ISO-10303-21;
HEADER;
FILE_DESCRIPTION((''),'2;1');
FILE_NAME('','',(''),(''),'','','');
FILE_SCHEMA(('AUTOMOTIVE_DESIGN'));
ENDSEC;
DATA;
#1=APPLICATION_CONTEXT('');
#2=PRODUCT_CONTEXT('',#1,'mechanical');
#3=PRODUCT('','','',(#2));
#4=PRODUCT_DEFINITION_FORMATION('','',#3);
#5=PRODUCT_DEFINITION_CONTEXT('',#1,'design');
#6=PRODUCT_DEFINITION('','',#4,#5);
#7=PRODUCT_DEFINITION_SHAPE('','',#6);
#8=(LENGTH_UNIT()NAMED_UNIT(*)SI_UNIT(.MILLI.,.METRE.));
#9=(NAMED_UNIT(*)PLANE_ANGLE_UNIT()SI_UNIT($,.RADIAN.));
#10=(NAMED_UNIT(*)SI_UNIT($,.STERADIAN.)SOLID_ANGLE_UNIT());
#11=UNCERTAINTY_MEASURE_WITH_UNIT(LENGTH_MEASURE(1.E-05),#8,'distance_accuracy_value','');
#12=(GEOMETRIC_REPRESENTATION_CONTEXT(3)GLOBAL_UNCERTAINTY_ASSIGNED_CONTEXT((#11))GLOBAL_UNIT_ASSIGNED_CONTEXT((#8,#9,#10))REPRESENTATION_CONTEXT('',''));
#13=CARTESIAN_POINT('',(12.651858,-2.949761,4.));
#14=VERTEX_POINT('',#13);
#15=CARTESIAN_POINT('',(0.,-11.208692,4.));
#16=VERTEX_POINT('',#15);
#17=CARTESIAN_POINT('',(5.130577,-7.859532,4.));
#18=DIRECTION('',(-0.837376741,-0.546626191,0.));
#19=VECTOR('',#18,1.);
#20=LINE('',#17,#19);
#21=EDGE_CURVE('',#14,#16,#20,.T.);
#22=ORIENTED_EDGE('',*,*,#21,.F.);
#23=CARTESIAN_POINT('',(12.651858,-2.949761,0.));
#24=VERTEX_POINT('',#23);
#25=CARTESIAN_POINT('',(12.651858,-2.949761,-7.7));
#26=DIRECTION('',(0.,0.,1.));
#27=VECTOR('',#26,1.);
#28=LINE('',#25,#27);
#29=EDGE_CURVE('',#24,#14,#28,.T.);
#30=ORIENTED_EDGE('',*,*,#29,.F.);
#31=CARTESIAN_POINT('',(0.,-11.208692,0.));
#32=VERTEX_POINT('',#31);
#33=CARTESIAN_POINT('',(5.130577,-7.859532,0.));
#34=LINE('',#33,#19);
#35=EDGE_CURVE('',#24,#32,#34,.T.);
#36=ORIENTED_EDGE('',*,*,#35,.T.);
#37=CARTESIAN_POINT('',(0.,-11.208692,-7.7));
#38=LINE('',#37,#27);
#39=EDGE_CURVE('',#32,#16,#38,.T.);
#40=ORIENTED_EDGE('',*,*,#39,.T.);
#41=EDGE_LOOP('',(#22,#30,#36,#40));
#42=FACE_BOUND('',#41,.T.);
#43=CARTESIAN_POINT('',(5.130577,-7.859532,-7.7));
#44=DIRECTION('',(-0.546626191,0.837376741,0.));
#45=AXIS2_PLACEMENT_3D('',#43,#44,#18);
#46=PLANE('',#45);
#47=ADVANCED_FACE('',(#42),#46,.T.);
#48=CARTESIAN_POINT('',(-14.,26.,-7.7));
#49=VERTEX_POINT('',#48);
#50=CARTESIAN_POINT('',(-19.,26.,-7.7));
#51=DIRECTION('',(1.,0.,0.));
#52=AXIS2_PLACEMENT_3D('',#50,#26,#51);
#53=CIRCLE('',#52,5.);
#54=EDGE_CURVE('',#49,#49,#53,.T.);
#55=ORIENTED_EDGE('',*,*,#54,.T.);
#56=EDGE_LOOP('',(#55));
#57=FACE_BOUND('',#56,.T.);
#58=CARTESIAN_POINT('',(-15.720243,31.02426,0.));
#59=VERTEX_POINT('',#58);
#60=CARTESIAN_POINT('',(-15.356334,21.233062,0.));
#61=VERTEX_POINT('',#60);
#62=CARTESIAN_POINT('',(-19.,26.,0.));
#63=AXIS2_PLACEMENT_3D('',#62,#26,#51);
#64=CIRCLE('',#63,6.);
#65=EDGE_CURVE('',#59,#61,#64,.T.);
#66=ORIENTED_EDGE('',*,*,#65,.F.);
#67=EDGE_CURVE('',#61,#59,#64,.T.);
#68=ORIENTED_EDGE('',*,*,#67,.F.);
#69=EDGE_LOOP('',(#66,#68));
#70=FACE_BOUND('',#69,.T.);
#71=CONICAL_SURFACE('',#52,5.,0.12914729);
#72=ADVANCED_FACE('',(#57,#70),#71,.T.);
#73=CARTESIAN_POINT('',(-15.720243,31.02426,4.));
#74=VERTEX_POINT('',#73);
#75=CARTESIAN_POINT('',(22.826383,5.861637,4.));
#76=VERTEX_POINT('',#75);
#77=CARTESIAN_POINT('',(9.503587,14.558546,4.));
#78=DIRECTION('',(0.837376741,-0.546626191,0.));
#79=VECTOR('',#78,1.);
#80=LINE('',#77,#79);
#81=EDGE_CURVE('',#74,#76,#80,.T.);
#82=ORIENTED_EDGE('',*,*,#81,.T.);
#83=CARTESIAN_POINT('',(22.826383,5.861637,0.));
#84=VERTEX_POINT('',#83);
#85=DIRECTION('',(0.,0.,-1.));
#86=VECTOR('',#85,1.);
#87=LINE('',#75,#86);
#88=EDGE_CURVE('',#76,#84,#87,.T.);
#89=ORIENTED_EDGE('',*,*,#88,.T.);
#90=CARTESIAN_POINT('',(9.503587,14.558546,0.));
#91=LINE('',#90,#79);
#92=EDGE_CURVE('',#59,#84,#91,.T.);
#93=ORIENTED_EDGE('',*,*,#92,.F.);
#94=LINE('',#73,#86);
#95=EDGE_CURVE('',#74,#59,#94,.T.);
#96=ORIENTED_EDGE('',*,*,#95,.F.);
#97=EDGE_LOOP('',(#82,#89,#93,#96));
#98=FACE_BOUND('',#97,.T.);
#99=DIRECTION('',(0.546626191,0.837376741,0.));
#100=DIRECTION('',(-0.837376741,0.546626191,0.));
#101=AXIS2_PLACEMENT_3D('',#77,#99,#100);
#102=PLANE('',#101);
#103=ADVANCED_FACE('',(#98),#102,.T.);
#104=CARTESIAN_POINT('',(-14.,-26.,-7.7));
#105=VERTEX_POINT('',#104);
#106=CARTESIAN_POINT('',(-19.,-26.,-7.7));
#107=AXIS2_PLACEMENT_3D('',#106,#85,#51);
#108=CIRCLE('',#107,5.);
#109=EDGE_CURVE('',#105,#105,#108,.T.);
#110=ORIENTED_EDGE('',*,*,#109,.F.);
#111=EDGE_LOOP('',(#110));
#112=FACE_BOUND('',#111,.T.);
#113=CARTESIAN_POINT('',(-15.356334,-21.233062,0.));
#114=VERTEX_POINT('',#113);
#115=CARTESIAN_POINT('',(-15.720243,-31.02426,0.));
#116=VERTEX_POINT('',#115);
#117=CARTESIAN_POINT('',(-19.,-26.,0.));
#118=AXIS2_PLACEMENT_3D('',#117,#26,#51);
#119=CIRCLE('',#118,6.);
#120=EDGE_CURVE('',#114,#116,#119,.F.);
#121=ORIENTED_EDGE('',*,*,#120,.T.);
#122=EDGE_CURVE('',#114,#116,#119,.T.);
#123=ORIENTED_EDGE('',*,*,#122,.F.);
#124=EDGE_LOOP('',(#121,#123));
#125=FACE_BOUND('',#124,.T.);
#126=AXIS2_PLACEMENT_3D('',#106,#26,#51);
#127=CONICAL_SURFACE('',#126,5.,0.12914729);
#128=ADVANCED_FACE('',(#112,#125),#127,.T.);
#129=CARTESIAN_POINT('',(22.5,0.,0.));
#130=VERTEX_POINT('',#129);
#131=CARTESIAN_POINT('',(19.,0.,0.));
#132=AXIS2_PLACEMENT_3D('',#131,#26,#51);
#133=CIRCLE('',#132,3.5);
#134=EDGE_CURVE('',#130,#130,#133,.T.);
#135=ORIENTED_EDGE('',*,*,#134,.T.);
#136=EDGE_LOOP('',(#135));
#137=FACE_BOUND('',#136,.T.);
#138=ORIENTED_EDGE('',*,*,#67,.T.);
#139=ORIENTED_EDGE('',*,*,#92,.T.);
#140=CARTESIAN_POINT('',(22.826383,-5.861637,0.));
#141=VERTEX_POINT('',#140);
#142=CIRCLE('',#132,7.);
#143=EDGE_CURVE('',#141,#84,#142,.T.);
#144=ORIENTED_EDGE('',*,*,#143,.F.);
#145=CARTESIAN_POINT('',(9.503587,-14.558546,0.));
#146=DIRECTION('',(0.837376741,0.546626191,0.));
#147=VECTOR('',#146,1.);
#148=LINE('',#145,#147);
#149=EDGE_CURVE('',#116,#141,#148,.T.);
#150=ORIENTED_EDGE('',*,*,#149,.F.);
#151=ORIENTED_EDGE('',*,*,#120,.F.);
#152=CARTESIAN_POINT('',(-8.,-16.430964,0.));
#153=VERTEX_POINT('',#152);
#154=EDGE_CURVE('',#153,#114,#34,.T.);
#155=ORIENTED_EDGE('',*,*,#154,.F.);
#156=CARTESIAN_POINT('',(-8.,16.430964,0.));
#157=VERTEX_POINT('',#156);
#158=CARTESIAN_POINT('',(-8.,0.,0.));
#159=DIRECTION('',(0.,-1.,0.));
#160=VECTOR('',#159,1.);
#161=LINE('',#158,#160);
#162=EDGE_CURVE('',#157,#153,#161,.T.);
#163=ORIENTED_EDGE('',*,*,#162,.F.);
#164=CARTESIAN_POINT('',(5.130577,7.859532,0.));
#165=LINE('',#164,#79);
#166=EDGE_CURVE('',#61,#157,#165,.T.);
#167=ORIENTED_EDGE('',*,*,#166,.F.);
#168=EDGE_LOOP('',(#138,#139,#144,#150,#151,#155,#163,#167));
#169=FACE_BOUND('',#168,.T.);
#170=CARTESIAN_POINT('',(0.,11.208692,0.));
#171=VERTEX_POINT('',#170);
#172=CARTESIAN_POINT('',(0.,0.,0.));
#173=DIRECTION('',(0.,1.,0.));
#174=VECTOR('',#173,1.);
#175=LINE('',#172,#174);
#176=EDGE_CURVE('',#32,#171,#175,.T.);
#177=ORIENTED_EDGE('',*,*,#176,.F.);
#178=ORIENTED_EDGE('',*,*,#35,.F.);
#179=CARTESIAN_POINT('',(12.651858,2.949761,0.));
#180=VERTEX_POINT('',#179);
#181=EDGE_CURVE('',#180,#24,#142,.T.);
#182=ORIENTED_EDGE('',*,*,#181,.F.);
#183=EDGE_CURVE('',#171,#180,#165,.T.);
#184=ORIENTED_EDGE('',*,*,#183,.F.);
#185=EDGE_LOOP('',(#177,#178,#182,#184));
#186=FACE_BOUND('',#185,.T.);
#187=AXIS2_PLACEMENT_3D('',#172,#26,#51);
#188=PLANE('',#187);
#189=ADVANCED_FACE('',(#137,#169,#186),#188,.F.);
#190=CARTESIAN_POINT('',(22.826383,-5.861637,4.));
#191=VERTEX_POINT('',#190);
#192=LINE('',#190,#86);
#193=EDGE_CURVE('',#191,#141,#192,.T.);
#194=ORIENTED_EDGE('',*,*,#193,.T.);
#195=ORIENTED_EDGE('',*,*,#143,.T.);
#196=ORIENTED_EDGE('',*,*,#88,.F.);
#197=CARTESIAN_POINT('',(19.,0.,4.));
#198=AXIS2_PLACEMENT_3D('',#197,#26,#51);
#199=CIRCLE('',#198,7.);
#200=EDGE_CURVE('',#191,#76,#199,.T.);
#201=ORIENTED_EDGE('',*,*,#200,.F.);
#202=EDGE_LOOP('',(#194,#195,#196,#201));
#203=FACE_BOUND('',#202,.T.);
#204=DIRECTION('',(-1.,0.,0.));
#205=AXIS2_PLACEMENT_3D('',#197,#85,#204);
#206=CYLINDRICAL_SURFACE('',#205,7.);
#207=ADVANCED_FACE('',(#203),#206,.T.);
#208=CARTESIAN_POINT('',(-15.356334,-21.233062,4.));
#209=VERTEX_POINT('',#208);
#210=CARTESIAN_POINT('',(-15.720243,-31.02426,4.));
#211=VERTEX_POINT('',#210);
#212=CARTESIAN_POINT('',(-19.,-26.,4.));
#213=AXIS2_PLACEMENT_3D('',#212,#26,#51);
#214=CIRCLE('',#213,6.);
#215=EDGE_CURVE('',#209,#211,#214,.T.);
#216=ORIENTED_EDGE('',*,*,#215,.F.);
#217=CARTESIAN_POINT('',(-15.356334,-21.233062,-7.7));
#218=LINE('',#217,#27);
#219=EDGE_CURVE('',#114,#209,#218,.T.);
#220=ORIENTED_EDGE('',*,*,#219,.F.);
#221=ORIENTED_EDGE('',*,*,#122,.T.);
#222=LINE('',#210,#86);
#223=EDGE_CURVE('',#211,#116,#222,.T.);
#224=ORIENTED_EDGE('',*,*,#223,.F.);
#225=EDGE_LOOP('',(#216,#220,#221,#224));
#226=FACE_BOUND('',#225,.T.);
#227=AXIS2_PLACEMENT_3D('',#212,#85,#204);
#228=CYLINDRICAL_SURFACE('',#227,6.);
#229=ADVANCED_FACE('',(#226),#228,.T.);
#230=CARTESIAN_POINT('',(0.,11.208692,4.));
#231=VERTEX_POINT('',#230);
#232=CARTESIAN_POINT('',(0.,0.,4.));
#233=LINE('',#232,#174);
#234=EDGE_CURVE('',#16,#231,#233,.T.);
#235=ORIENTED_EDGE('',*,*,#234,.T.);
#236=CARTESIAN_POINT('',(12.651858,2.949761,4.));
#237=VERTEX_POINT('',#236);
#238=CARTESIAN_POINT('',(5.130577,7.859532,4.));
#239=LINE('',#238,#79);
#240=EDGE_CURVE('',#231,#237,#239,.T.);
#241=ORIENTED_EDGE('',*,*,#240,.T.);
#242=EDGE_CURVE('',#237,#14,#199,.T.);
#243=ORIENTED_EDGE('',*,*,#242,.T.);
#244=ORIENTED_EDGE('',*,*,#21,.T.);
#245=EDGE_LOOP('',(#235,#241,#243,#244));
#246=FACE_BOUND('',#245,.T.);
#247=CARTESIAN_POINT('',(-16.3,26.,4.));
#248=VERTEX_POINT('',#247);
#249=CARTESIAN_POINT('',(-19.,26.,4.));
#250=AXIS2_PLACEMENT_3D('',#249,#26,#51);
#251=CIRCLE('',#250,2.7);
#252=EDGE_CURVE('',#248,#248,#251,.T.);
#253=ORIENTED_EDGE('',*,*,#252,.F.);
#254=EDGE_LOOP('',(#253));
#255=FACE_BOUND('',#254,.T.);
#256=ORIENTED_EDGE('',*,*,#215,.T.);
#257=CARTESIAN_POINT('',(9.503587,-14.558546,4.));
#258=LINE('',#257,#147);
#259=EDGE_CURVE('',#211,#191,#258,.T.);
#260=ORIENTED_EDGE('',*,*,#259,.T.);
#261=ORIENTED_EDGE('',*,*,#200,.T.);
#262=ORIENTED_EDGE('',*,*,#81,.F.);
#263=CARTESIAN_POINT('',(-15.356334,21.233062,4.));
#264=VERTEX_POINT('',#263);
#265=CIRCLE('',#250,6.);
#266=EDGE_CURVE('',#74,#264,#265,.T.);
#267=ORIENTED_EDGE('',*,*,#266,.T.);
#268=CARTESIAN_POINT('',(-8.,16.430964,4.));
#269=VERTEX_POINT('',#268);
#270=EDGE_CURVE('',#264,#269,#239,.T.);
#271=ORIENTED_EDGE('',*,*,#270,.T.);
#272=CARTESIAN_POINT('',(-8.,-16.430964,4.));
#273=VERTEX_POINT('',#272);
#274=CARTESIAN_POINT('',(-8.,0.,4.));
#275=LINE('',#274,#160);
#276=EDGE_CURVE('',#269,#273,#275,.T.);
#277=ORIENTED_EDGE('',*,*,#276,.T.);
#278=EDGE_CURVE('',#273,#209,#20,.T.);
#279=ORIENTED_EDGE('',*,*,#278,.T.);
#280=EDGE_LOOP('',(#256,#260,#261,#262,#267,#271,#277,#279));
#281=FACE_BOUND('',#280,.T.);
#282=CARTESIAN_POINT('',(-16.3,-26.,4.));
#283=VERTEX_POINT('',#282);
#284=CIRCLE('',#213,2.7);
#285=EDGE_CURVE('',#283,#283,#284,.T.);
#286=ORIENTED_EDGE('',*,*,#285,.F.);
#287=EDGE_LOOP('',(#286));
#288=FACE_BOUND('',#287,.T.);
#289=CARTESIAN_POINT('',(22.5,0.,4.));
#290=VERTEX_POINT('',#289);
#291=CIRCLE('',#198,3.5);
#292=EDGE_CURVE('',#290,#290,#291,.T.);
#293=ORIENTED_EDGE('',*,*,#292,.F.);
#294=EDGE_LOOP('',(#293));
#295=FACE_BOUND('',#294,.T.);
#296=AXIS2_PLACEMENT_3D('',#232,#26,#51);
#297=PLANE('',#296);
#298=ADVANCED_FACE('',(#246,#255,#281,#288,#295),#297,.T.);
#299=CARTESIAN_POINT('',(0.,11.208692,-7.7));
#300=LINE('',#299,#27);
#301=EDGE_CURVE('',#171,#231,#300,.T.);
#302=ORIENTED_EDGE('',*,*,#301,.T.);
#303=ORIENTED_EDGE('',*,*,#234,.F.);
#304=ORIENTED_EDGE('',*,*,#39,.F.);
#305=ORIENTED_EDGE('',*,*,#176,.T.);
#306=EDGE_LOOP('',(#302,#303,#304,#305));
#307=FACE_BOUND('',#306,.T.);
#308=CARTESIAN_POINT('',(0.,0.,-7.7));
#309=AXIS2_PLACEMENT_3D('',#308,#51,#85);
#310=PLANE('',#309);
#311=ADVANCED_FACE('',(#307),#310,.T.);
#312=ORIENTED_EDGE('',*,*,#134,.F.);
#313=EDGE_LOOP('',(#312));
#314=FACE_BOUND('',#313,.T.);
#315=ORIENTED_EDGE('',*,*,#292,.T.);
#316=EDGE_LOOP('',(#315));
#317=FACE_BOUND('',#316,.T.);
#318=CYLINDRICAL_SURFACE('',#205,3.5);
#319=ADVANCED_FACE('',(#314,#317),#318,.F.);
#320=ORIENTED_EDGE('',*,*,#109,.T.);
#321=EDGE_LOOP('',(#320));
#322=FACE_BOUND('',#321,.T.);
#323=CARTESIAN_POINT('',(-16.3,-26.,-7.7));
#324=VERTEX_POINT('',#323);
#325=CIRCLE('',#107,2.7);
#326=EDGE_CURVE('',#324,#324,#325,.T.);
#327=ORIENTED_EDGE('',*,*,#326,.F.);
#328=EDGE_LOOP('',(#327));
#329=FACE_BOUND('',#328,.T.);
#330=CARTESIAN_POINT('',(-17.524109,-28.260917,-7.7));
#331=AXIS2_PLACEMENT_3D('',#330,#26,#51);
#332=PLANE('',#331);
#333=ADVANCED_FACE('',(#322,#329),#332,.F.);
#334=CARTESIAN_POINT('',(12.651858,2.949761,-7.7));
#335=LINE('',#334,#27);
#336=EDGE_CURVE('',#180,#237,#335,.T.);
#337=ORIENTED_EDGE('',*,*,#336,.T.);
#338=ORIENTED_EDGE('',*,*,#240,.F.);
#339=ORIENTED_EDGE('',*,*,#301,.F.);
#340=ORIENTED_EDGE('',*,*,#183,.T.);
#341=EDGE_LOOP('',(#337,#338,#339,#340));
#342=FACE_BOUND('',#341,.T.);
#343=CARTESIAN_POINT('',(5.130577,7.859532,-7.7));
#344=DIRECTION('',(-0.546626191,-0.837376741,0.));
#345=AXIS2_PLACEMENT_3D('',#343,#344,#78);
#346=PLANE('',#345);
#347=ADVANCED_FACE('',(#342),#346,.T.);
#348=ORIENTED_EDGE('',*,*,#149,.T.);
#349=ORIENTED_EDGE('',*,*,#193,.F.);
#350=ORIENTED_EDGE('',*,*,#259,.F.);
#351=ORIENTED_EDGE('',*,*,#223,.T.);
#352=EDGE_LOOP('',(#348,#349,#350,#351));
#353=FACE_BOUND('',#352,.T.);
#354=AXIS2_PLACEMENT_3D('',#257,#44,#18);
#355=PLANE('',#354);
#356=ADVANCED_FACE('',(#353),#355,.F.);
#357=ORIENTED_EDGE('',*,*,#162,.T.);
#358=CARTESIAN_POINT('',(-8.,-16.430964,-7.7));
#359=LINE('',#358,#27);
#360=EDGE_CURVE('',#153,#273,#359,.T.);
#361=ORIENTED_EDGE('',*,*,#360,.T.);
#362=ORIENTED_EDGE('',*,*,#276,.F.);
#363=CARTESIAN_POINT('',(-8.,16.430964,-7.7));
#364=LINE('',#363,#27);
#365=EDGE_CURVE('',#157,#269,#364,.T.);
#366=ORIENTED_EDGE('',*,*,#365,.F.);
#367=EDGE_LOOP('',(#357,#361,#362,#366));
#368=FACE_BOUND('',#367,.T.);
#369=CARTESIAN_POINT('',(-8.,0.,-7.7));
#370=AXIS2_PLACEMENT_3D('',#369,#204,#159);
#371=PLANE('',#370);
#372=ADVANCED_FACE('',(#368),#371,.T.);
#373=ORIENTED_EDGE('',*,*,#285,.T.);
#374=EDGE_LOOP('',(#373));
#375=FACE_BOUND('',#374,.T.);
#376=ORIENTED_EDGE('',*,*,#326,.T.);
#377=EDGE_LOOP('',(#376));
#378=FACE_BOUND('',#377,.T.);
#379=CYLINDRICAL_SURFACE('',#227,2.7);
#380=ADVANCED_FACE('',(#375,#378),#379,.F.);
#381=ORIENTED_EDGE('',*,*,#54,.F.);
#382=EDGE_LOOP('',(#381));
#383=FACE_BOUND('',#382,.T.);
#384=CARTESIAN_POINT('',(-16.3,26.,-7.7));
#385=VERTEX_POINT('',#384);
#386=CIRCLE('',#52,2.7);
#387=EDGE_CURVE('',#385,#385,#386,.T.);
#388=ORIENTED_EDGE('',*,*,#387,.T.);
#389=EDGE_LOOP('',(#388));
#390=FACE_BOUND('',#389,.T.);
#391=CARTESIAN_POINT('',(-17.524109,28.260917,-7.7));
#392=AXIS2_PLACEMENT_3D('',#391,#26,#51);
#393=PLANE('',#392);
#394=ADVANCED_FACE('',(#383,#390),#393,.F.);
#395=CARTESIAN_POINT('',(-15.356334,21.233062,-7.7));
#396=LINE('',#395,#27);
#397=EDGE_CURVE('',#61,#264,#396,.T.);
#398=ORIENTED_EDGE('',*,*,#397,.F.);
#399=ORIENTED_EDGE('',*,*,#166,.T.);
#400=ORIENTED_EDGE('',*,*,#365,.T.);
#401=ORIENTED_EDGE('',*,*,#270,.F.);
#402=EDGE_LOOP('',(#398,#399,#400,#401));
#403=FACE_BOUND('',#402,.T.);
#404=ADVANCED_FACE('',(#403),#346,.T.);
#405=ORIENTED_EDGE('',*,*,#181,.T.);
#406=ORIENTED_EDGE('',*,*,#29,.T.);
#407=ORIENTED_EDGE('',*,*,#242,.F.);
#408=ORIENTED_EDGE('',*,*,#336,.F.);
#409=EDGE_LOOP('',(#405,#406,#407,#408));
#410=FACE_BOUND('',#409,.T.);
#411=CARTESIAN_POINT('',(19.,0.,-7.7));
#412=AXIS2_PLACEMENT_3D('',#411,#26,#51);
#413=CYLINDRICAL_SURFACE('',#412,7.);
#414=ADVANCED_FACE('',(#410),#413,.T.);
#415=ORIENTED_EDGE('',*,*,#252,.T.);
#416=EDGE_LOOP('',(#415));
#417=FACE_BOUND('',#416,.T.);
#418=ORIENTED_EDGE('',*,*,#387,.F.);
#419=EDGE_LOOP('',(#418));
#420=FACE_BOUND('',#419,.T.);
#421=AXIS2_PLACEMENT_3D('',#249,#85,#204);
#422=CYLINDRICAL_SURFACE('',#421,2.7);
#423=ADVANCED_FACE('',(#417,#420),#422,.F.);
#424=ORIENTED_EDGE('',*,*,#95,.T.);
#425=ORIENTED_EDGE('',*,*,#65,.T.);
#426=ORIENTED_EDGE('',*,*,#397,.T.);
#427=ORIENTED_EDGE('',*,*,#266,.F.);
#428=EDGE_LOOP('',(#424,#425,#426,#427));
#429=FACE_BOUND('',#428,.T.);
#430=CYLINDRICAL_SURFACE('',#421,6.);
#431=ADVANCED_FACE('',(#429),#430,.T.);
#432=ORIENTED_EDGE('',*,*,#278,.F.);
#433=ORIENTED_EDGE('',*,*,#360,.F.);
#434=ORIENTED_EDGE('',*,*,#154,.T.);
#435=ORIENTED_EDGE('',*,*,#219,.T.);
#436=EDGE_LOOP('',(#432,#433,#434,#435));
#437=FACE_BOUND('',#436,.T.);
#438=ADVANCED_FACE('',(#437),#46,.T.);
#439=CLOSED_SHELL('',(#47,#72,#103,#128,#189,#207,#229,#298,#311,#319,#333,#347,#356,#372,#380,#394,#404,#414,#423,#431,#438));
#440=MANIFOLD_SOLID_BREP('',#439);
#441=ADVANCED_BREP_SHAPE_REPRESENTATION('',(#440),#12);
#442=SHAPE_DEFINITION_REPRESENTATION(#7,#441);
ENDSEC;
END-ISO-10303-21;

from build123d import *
from build123d.topology import SkipClean

# Parameters (mm, degrees)
SKETCH_1_R          = 2.2
SKETCH_1_R_2        = 3.5
SKETCH_1_R_3        = 2.7
EXTRUDE_1_DEPTH     = 4
SKETCH_5_R          = 2.2
CUT_EXTRUDE_1_DEPTH = 57.443688753


with BuildPart() as part:
    # 草图1 → 凸台-拉伸1 (new body)
    with BuildSketch(Plane.XY):
        with BuildLine():
            Line((-45, -12.5), (-22.796873936, -30.645831284))
            ThreePointArc((-22.796873936, -30.645831284), (-19.320397567, -31.991439343), (-15.720242852, -31.024260448))
            Line((-15.720242852, -31.024260448), (22.82638334, -5.861637189))
            ThreePointArc((22.82638334, -5.861637189), (26, 0), (22.82638334, 5.861637189))
            Line((22.82638334, 5.861637189), (-15.720242852, 31.024260448))
            ThreePointArc((-15.720242852, 31.024260448), (-19.320397567, 31.991439343), (-22.796873936, 30.645831284))
            Line((-22.796873936, 30.645831284), (-45, 12.5))
            Line((-45, 12.5), (-45, -12.5))
        make_face()
        with Locations((-35, 0)):
            Circle(SKETCH_1_R, mode=Mode.SUBTRACT)
        with Locations((-19, 0)):
            Circle(SKETCH_1_R, mode=Mode.SUBTRACT)
        with Locations((19, 0)):
            Circle(SKETCH_1_R_2, mode=Mode.SUBTRACT)
        with Locations((-19, -26)):
            Circle(SKETCH_1_R_3, mode=Mode.SUBTRACT)
        with Locations((-19, 26)):
            Circle(SKETCH_1_R_3, mode=Mode.SUBTRACT)
    extrude(amount=EXTRUDE_1_DEPTH)

    # 草图4 → 旋转1 (revolve)
    with SkipClean():  # the faces are left unmerged after this step: merging them gives an invalid solid
        with BuildSketch(Plane(origin=(-25.223829861, 16.46571414, 0), x_dir=(0, 0, -1), z_dir=(0.8373767412950733, -0.5466261914124163, 0))):
            Polygon((7.7, 16.385897637), (0, 17.385897637), (0, 14.085897637), (7.7, 14.085897637), align=None)
        revolve_1 = revolve(axis=Axis((-19, 26, 1000.278995542), (0, 0, -1)))

    # 镜向1: 旋转1 across plane
    with SkipClean():  # the faces are left unmerged after this step: merging them gives an invalid solid
        add(revolve_1.mirror(Plane.ZX))

    # 草图5 → 切除-拉伸1 (cut, through all)
    # profile 1 of 2: a face of its own
    with SkipClean():  # the faces are left unmerged after this step: merging them gives an invalid solid
        with BuildSketch(Plane.XY.offset(4)):
            with BuildLine():
                Line((-8, 16.430964093), (-15.356334205, 21.233061824))
                ThreePointArc((-15.356334205, 21.233061824), (-23.707008117, 22.279237365), (-22.796873936, 30.645831284))
                Line((-22.796873936, 30.645831284), (-45, 12.5))
                Line((-45, 12.5), (-45, -12.5))
                Line((-45, -12.5), (-22.796873936, -30.645831284))
                ThreePointArc((-22.796873936, -30.645831284), (-23.707008117, -22.279237365), (-15.356334205, -21.233061824))
                Line((-15.356334205, -21.233061824), (-8, -16.430964093))
                Line((-8, -16.430964093), (-8, 16.430964093))
            make_face()
            with Locations((-35, 0)):
                Circle(SKETCH_5_R, mode=Mode.SUBTRACT)
            with Locations((-19, 0)):
                Circle(SKETCH_5_R, mode=Mode.SUBTRACT)
        # profile 2 of 2: a face of its own
        with BuildSketch(Plane.XY.offset(4)):
            with BuildLine():
                Line((12.651857565, 2.949760604), (0, 11.208691589))
                Line((0, 11.208691589), (0, -11.208691589))
                Line((0, -11.208691589), (12.651857565, -2.949760604))
                ThreePointArc((12.651857565, -2.949760604), (12, 0), (12.651857565, 2.949760604))
            make_face()
        extrude(amount=-CUT_EXTRUDE_1_DEPTH, mode=Mode.SUBTRACT)


solid = part.part
